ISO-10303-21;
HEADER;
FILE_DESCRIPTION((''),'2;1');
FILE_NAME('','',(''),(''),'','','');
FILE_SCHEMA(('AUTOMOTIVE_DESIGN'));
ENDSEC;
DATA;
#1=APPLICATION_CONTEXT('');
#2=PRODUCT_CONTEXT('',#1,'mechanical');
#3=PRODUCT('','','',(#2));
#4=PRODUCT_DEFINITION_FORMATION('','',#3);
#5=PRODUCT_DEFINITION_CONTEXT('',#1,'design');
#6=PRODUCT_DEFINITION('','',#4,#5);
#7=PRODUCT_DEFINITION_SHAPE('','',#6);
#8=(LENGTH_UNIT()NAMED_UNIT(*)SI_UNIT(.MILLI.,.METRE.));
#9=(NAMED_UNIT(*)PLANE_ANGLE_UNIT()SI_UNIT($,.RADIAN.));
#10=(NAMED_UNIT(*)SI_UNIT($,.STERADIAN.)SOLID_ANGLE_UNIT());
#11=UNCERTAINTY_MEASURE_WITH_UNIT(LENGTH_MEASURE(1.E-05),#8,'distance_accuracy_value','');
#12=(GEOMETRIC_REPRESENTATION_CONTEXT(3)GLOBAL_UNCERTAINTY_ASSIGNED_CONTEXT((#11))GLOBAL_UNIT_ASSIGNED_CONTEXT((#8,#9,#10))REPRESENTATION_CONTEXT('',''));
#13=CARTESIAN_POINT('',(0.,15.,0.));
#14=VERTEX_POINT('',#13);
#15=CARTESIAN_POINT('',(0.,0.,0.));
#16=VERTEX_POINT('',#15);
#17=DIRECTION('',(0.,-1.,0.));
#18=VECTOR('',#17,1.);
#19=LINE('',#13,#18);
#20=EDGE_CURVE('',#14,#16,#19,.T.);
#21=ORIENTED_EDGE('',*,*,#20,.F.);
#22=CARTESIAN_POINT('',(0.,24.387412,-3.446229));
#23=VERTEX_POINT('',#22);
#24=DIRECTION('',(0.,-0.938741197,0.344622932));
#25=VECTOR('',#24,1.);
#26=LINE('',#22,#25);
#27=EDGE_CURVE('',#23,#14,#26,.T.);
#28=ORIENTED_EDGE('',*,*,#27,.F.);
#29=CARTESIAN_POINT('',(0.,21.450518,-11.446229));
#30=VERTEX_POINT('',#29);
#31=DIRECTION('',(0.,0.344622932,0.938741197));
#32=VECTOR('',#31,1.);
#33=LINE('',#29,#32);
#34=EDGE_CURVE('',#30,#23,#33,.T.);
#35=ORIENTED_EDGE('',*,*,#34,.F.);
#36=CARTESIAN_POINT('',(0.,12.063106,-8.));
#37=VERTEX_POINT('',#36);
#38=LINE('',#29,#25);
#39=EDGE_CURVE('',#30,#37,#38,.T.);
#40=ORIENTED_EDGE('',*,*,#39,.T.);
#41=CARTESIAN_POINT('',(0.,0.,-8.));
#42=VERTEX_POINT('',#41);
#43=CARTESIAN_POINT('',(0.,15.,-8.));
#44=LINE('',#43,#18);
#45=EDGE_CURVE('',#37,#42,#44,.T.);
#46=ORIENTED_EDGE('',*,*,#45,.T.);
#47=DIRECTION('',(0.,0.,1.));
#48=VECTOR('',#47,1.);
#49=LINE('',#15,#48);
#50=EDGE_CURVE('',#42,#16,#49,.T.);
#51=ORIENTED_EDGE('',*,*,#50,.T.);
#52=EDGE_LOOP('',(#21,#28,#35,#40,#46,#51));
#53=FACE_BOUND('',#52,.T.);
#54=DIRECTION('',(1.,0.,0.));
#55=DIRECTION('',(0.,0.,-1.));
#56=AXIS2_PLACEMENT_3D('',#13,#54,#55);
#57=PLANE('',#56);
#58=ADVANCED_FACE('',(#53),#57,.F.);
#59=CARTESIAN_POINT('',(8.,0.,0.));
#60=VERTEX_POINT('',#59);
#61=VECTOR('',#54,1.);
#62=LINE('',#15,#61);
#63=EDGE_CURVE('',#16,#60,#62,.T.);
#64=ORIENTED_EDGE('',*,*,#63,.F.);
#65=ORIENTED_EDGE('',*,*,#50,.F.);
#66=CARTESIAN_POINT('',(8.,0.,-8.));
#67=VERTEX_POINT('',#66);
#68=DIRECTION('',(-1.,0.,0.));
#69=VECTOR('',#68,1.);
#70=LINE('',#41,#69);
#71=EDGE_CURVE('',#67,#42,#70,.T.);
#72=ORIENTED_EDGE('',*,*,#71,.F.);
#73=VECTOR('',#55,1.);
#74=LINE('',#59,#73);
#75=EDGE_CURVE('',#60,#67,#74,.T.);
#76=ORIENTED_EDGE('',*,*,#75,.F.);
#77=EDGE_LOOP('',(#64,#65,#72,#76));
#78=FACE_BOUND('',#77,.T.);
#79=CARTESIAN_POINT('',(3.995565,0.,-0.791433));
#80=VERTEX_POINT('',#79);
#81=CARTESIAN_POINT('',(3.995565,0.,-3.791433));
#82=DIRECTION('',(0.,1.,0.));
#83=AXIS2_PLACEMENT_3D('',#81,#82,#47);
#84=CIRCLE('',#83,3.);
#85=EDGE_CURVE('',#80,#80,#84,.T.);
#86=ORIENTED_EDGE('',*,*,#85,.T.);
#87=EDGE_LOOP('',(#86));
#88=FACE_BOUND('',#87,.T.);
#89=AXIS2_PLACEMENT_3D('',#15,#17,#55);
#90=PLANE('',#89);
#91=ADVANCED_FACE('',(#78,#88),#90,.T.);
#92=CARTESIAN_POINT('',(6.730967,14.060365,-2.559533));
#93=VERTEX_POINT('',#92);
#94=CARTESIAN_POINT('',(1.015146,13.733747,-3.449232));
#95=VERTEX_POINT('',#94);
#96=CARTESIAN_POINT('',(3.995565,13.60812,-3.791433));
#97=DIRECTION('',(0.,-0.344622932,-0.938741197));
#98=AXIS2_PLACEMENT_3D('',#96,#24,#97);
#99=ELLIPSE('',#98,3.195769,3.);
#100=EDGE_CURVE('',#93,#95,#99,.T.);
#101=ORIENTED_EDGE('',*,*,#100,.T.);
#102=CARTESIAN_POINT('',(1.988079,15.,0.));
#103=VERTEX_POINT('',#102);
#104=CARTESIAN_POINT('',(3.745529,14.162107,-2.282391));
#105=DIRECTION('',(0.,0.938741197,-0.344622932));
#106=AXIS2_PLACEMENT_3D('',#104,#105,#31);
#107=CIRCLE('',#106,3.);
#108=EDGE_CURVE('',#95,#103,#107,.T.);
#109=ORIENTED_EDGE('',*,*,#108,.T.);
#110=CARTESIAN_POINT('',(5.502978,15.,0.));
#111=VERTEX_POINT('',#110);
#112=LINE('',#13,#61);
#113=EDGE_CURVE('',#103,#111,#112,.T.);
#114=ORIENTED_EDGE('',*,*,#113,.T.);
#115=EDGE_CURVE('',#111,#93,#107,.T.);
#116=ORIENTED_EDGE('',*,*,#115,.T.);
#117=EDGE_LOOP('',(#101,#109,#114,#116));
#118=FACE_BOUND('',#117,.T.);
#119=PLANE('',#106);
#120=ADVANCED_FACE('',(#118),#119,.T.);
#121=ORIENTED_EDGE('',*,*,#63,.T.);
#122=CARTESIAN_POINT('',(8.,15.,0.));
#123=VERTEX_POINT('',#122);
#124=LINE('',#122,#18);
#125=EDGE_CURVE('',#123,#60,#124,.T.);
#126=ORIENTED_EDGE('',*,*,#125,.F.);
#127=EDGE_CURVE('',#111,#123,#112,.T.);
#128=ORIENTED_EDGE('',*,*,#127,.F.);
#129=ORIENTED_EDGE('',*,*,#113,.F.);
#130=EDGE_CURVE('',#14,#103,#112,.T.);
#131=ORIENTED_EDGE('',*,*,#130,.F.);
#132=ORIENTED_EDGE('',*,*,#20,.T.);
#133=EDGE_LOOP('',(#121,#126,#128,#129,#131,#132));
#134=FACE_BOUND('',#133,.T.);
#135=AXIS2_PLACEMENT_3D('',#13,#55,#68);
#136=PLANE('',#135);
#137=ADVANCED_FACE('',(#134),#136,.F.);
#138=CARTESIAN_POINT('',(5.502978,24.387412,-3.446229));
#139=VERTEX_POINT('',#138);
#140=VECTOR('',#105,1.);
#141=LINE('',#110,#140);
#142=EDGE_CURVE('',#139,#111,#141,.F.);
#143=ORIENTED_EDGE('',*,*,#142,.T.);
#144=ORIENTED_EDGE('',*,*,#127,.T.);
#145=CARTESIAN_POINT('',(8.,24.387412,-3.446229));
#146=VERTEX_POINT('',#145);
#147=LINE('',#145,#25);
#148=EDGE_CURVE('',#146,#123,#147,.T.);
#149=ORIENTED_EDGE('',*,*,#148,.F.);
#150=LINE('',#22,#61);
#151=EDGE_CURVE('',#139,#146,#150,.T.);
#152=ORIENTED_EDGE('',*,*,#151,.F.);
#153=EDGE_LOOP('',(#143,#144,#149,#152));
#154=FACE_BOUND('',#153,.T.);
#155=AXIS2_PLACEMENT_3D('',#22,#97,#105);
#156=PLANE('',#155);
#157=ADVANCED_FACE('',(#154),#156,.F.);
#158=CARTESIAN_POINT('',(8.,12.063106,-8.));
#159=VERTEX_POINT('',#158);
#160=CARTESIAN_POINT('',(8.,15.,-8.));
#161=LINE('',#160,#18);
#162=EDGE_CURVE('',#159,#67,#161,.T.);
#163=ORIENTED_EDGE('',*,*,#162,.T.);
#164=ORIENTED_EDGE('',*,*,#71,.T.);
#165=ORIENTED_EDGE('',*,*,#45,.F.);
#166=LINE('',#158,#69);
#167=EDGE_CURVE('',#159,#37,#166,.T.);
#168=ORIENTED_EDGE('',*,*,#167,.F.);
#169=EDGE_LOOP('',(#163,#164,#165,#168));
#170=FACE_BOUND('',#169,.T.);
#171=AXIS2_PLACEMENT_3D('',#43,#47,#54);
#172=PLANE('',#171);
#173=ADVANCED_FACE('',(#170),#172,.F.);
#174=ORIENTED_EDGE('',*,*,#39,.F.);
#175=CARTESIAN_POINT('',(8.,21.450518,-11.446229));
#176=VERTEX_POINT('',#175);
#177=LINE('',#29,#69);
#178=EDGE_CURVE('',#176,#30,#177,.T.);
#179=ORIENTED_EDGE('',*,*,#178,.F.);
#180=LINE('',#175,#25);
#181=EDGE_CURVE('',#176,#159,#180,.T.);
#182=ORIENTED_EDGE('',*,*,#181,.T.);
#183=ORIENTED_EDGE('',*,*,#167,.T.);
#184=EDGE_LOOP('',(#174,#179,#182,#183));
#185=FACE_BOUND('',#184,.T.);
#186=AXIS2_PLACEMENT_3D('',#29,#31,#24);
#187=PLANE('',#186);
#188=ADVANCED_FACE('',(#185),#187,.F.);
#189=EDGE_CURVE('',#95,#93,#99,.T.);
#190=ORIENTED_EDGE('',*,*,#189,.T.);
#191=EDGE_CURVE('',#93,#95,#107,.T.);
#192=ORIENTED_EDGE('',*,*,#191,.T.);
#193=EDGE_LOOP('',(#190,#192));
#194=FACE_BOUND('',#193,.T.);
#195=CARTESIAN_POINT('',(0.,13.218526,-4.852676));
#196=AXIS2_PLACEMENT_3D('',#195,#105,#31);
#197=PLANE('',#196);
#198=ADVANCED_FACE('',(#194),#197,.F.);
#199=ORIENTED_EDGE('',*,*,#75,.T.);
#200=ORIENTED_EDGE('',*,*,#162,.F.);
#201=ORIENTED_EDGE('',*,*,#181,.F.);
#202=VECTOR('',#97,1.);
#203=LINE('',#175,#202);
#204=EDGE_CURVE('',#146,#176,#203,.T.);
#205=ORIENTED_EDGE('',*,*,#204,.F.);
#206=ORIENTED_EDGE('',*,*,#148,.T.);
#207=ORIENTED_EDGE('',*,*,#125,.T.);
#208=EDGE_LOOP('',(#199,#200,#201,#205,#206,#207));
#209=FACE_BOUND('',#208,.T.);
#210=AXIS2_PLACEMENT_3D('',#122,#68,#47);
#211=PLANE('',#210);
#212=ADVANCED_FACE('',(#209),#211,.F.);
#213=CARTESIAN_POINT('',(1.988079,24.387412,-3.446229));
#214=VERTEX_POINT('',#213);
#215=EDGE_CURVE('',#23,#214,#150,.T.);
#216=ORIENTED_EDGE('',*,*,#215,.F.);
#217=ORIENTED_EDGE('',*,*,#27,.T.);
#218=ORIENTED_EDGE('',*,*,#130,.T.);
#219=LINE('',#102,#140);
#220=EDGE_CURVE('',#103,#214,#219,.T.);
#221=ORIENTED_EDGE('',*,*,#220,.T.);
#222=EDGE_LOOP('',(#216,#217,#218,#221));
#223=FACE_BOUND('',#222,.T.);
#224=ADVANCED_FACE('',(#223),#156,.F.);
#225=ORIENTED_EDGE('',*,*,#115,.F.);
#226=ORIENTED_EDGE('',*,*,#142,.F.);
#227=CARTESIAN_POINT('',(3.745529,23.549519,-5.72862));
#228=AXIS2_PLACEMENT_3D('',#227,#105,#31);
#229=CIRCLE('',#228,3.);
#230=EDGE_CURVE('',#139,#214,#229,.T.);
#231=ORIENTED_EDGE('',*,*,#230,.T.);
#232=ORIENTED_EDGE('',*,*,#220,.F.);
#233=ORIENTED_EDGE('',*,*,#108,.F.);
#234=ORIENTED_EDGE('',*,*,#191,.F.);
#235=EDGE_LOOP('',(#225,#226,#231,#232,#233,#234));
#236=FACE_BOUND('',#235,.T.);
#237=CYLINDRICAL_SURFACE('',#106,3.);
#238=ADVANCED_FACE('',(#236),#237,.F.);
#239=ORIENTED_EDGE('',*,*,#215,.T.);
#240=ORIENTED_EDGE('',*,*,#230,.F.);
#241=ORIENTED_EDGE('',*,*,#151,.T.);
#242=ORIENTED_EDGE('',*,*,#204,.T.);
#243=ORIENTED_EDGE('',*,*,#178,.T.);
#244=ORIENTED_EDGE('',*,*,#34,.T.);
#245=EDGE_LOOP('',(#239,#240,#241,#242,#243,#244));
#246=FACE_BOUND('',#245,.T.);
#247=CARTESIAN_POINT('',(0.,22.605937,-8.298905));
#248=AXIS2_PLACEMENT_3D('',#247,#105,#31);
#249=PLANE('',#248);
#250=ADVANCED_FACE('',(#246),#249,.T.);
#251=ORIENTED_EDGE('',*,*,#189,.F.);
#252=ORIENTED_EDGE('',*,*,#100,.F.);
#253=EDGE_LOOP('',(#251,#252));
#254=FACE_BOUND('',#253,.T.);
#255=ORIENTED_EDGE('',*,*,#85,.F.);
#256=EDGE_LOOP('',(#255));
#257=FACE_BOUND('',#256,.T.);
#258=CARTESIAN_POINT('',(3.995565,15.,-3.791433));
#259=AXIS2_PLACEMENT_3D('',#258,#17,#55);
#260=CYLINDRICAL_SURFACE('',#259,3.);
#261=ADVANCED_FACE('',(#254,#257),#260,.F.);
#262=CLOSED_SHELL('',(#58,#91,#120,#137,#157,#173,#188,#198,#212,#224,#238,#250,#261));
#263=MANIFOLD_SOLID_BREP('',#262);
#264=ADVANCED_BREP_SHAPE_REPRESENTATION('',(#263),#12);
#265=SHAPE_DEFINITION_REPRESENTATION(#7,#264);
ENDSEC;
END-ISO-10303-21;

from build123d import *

# Parameters (mm, degrees)
SKETCH1_W           = 8
SKETCH1_H           = 8
SKETCH1_R           = 3
BOSS_EXTRUDE3_DEPTH = 15
CUT_EXTRUDE1_DEPTH  = 8
SKETCH4_W           = 8
SKETCH4_H           = 8.522050623
BOSS_EXTRUDE4_DEPTH = 10
SKETCH5_R           = 3
CUT_EXTRUDE2_DEPTH  = 10


with BuildPart() as part:
    # Sketch1 → Boss-Extrude3 (new body)
    with BuildSketch(Plane(origin=(0, 0, 0), x_dir=(1, 0, 0), z_dir=(0, 1, 0))):
        with Locations((4, 4)):
            Rectangle(SKETCH1_W, SKETCH1_H)
        with Locations(Location((3.995564868, 3.791433264, 0), (0, 0, 270))):
            Circle(SKETCH1_R, mode=Mode.SUBTRACT)
    extrude(amount=BOSS_EXTRUDE3_DEPTH)

    # Sketch3 → Cut-Extrude1 (cut)
    with BuildSketch(Plane.ZY):
        Polygon((-8, 15), (0, 15), (-8, 12.063105925), align=None)
    extrude(amount=-CUT_EXTRUDE1_DEPTH, mode=Mode.SUBTRACT)

    # Sketch4 → Boss-Extrude4 (add)
    with BuildSketch(Plane(origin=(0, 13.218525518, -4.852676159), x_dir=(1, 0, 0), z_dir=(0, 0.9387411967802677, -0.3446229323007264))):
        with Locations((4, -0.908318673)):
            Rectangle(SKETCH4_W, SKETCH4_H)
    extrude(amount=BOSS_EXTRUDE4_DEPTH)

    # Sketch5 → Cut-Extrude2 (cut)
    with BuildSketch(Plane(origin=(0, 22.605937486, -8.298905482), x_dir=(1, 0, 0), z_dir=(0, 0.9387411967802677, -0.34462293230072644))):
        with Locations((3.74552854, -2.73801251)):
            Circle(SKETCH5_R)
    extrude(amount=-CUT_EXTRUDE2_DEPTH, mode=Mode.SUBTRACT)


solid = part.part
